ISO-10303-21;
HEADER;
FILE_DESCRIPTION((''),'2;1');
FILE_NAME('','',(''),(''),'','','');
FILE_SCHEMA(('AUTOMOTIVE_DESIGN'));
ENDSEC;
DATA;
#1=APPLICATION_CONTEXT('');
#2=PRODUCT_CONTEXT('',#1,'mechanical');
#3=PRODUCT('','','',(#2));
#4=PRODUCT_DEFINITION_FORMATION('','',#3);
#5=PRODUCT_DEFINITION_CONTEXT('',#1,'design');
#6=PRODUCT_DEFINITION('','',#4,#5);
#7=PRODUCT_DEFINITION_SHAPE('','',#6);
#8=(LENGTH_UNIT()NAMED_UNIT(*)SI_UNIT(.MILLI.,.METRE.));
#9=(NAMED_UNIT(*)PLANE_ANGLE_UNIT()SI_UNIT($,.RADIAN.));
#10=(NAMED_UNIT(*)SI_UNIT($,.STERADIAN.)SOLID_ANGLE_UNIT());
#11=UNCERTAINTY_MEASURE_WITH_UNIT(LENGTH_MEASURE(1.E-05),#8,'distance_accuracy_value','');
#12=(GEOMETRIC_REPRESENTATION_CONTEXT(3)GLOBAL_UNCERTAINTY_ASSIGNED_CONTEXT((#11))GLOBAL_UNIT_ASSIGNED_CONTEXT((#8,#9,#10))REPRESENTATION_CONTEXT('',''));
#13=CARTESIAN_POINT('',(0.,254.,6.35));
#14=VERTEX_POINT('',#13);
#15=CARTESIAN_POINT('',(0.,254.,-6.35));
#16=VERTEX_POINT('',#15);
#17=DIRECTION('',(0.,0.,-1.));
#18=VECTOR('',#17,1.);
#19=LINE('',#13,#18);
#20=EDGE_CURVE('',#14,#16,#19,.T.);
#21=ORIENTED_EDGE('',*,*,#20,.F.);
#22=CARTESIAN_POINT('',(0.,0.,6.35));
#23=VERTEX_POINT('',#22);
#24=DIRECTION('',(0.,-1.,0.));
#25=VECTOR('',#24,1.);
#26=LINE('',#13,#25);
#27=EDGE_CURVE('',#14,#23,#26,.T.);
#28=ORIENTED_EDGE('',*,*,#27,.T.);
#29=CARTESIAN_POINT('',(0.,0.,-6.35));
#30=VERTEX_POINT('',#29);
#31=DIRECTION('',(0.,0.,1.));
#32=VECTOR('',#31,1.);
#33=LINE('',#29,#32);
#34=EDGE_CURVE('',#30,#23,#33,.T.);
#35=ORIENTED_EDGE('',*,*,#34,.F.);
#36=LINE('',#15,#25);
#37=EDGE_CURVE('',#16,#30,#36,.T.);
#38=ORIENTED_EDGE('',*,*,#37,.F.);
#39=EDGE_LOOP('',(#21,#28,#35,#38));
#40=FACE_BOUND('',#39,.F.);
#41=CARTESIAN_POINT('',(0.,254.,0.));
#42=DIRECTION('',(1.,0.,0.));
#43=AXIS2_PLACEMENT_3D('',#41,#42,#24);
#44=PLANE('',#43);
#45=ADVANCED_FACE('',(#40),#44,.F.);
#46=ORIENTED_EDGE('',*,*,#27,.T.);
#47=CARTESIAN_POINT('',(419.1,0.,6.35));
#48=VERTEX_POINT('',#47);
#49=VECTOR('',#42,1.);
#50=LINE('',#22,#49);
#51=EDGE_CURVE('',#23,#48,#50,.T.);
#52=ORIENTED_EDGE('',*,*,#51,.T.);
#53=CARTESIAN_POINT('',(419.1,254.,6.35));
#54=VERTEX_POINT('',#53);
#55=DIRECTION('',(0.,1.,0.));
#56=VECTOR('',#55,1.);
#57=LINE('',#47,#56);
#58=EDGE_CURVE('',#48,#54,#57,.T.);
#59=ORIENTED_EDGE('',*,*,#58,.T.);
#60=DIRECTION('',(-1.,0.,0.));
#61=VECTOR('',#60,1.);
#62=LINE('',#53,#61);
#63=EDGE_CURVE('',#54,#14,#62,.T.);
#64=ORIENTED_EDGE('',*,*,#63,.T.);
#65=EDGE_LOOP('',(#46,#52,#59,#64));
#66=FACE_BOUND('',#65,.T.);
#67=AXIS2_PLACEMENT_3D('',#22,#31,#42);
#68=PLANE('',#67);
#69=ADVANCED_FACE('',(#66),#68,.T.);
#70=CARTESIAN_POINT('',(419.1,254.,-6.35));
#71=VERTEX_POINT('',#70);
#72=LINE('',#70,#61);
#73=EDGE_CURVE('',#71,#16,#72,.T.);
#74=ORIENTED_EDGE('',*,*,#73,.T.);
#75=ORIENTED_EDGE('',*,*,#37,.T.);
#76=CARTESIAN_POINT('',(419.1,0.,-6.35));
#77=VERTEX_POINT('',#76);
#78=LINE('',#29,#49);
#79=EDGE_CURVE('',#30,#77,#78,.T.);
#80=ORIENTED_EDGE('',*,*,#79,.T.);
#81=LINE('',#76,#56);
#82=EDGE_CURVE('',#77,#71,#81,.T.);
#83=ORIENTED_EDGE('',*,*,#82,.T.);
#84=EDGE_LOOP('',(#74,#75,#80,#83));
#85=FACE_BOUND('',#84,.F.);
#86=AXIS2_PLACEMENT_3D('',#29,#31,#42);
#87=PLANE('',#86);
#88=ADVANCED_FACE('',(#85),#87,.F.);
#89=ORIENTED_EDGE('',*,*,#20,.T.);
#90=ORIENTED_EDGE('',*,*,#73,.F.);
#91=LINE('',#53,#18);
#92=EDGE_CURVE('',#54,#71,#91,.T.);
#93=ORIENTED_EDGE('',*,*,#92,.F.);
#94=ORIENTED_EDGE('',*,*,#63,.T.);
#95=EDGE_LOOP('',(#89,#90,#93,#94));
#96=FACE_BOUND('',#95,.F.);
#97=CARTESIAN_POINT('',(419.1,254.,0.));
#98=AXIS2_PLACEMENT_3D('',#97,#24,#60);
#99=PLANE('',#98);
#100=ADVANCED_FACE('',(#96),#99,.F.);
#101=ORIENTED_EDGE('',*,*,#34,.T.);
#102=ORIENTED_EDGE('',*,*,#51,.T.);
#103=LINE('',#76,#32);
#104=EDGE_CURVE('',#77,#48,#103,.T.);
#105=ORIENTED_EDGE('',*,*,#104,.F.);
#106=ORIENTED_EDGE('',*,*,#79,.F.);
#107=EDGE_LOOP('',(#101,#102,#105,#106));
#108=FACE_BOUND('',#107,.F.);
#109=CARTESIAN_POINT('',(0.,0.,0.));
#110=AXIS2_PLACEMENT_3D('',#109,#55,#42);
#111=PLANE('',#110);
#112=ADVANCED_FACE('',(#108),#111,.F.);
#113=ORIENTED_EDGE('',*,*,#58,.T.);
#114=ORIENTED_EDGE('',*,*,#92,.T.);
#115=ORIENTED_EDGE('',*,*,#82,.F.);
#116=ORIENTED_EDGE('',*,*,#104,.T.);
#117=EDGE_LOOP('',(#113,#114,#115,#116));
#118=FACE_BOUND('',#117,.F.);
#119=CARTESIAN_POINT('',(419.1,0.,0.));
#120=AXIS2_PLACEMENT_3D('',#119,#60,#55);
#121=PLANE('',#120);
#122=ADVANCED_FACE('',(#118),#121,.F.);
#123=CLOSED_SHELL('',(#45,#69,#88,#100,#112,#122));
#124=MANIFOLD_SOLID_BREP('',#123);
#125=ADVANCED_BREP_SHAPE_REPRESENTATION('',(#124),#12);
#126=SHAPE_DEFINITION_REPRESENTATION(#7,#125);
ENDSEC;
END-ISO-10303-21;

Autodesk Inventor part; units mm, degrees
ref_plane "YZ Plane" through (0, 0, 0) normal (1, 0, 0) x (0, 1, 0)
ref_plane "XZ Plane" through (0, 0, 0) normal (0, 1, 0) x (-1, 0, 0)
ref_plane "XY Plane" through (0, 0, 0) normal (0, 0, 1) x (1, 0, 0)
sketch "Sketch1" plane through (0, 0, 0) normal (0, 0, 1) x (1, 0, 0)
  line L0 (0, 0) -> (419.1, 0)
  line L1 (419.1, 0) -> (419.1, 254)
  line L2 (419.1, 254) -> (0, 254)
  line L3 (0, 254) -> (0, 0)
  dimension "Length" = 419.1
  dimension "Height" = 254
extrude "Extrusion1" add sketch "Sketch1" along normal mid plane 12.7
properties part number "OutsideWall"
